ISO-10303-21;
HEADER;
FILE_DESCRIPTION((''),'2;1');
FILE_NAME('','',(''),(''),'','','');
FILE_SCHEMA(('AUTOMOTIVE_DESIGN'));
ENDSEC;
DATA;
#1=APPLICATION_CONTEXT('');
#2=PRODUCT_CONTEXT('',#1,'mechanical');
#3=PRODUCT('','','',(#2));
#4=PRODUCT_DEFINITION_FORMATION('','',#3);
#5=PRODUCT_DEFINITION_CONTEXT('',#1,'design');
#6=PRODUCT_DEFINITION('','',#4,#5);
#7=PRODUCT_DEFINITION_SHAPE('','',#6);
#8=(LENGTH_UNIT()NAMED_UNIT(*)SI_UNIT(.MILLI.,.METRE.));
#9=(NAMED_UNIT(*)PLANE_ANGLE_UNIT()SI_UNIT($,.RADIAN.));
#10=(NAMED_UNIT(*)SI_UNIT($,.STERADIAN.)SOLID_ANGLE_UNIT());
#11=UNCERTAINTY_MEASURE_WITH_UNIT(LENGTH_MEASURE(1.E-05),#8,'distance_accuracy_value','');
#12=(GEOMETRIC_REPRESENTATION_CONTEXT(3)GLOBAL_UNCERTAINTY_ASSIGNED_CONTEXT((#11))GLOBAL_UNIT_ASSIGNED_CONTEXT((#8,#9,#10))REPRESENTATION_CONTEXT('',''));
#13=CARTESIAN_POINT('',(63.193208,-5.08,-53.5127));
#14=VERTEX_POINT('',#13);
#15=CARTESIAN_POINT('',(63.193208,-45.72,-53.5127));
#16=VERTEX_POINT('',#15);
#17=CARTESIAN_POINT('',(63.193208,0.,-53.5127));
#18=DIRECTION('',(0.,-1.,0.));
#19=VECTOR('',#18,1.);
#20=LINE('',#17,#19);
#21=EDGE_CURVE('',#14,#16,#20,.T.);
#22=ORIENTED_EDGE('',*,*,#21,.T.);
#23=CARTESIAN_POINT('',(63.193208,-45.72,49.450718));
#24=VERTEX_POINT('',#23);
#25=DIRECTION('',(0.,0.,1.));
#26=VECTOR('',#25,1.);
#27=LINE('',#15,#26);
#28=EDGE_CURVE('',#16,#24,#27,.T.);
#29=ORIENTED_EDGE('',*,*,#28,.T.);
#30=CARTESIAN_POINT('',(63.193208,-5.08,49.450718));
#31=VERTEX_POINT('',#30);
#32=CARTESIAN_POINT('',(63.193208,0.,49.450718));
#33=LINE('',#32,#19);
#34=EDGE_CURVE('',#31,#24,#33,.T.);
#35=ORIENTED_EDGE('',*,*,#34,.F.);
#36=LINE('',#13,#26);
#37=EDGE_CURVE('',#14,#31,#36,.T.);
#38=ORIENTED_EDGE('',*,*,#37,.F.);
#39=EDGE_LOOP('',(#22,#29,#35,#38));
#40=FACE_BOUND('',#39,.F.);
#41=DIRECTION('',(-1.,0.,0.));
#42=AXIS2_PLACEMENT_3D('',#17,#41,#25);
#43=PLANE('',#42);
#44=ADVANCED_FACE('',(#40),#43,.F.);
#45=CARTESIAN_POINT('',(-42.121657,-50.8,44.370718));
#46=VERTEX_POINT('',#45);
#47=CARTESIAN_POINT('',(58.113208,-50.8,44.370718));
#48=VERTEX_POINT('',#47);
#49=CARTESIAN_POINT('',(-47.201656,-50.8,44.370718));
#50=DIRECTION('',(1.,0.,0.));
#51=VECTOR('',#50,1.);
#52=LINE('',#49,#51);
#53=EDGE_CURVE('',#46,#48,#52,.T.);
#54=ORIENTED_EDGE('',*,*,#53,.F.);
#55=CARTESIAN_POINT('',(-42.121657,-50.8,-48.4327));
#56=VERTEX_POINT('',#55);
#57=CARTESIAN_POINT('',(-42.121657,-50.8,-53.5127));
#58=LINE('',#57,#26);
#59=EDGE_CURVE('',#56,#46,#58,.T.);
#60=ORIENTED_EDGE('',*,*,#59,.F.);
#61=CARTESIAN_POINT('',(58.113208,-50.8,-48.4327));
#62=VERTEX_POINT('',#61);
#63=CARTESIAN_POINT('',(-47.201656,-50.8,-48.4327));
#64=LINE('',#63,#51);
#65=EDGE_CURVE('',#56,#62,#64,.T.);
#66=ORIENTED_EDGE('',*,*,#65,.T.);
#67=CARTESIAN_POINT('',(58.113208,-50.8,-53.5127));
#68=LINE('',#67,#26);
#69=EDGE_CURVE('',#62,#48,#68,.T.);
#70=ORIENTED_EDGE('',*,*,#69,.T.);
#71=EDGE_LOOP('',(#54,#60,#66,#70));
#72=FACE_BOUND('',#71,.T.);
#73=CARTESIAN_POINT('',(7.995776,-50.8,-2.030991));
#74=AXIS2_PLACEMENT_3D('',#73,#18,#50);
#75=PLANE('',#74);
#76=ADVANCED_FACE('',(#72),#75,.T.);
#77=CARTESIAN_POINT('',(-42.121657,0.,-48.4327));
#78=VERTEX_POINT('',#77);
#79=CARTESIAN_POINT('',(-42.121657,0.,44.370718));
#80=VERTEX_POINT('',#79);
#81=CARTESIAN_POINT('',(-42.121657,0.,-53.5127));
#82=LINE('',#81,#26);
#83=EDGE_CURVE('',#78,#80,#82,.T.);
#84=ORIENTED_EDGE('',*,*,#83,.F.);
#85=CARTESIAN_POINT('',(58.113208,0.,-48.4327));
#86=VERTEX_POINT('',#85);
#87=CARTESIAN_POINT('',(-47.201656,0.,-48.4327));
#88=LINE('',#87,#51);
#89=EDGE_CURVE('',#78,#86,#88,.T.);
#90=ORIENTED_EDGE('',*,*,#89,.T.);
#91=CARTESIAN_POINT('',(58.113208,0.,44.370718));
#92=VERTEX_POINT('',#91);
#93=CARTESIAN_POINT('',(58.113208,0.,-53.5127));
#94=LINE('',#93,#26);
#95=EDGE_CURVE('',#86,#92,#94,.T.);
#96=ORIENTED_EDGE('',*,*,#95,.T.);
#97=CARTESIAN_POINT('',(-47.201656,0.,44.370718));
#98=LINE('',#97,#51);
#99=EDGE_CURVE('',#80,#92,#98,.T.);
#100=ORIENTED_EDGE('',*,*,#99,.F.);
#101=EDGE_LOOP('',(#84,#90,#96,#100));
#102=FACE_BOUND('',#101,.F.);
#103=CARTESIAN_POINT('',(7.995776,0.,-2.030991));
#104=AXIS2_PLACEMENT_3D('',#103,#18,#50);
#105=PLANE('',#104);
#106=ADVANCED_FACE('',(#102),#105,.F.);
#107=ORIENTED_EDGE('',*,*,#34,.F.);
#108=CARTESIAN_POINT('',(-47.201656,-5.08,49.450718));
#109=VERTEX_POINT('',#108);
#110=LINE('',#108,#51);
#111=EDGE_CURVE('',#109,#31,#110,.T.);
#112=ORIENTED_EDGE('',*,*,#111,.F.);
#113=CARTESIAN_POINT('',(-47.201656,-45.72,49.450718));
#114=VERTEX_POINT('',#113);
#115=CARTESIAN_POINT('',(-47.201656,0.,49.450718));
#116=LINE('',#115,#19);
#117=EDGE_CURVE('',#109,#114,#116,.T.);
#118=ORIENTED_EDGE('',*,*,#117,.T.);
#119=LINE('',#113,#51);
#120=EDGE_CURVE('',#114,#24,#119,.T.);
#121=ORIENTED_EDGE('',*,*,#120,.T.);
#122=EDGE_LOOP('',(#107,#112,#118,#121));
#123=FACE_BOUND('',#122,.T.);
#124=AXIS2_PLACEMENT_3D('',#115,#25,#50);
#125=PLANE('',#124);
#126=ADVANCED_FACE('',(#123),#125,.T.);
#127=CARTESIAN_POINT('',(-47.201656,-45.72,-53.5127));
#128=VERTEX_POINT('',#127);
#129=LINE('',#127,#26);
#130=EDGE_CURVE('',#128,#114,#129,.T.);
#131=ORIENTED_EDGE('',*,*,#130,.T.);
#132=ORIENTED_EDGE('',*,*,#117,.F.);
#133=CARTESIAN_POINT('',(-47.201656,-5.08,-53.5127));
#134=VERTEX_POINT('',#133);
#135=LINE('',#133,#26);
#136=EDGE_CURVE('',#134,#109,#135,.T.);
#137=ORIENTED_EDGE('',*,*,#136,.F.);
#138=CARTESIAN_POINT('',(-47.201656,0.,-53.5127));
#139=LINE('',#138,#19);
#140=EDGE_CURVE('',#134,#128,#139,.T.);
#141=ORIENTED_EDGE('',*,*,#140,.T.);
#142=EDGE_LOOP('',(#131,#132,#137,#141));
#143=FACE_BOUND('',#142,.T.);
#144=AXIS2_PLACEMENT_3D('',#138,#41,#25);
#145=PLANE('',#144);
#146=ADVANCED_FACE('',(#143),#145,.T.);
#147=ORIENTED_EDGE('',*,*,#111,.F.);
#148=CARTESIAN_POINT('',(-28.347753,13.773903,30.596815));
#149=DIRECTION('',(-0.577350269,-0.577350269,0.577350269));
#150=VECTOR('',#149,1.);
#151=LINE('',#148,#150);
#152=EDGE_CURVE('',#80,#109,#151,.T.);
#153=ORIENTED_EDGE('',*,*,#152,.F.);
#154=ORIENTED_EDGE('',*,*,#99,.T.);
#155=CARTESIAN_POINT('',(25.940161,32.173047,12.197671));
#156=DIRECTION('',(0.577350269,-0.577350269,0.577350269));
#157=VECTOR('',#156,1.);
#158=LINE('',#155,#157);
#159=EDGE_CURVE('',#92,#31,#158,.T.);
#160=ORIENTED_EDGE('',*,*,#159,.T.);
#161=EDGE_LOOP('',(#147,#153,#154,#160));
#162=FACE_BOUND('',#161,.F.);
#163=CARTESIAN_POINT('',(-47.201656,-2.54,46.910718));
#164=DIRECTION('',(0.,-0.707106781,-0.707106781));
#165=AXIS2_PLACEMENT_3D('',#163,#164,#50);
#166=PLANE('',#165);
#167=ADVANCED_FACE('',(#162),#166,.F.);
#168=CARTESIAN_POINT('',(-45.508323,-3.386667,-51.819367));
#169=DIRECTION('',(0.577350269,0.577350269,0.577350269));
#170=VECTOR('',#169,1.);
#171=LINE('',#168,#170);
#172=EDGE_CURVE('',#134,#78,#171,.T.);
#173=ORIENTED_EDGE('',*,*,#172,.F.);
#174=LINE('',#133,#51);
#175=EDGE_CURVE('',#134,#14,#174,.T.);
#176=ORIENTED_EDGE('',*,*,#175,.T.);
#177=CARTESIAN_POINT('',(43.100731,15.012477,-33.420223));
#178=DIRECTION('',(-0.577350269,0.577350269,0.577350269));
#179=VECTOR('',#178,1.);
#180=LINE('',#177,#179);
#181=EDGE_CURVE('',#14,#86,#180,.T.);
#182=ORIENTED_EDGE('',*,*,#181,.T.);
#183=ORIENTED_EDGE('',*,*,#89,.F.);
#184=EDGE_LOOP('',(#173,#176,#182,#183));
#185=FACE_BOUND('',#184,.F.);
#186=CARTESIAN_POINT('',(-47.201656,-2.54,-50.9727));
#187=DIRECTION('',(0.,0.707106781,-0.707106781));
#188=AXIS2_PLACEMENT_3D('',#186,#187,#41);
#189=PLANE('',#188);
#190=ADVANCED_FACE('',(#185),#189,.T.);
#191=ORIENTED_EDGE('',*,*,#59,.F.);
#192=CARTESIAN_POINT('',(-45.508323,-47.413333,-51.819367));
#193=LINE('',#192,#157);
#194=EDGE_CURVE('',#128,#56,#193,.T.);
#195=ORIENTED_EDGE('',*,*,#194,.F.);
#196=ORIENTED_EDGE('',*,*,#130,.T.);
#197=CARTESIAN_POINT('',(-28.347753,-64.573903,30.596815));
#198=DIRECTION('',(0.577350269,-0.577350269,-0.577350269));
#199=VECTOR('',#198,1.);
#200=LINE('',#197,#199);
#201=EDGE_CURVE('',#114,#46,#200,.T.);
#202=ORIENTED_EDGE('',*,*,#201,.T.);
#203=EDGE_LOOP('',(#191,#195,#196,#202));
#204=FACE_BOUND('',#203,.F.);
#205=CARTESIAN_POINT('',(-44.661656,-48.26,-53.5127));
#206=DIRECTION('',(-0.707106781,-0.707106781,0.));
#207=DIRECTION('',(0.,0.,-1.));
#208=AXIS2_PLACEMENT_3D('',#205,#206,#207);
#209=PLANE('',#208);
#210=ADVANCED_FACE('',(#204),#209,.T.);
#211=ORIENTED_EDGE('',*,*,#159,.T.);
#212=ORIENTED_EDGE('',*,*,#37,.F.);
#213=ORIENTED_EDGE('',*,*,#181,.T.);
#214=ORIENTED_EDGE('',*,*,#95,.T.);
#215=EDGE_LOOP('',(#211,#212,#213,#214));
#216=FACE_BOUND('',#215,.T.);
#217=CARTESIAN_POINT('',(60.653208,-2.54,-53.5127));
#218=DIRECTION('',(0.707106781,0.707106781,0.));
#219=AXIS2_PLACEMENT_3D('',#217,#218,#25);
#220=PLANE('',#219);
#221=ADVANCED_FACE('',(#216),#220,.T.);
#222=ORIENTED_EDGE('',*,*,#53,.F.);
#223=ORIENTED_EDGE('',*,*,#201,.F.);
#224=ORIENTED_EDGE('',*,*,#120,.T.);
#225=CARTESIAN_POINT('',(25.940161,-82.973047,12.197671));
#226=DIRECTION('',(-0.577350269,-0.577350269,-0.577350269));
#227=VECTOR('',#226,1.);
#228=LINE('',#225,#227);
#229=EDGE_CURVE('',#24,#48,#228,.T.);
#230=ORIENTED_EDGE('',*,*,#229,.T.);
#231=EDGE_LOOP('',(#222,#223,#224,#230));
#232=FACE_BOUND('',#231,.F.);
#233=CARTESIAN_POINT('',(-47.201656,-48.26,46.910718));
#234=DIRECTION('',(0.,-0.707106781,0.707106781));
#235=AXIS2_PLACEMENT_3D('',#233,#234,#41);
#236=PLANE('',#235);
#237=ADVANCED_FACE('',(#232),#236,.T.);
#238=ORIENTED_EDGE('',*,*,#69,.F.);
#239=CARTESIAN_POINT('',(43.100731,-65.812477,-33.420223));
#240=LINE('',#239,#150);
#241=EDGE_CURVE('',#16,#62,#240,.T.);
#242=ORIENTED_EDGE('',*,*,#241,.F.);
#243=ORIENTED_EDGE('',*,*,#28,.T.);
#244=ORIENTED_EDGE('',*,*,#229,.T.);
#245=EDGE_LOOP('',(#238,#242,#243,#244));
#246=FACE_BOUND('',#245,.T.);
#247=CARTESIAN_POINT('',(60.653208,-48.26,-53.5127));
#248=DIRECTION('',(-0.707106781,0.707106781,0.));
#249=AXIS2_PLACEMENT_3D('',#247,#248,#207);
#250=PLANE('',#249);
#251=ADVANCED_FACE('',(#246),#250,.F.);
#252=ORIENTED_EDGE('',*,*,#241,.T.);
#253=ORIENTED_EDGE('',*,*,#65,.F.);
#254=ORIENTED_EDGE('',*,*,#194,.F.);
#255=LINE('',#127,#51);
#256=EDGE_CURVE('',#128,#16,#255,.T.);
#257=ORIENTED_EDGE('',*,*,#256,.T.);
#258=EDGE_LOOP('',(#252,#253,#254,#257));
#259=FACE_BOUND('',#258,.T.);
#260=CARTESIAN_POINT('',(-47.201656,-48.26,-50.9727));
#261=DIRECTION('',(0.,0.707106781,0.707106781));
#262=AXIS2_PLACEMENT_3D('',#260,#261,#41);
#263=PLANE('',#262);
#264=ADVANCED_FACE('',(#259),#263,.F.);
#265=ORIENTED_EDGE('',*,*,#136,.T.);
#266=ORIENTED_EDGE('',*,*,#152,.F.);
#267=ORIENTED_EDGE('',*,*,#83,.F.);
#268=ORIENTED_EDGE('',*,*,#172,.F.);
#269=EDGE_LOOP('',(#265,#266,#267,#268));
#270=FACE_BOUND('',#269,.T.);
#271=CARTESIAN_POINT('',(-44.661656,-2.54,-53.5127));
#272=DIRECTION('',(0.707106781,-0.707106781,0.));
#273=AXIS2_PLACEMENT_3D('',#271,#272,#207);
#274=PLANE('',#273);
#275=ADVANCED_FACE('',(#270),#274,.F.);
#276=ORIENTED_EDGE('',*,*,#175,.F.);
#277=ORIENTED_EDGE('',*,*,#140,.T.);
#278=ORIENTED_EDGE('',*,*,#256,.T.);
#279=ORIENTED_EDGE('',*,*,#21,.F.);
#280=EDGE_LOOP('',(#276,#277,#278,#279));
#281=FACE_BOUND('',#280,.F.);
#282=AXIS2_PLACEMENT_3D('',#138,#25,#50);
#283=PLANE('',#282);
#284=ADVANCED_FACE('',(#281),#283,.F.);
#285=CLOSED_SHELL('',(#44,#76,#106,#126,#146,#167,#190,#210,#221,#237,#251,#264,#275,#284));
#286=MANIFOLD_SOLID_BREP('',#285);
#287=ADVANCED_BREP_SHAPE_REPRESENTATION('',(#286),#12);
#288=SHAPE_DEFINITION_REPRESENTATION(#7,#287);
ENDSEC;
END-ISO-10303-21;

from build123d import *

# Parameters (mm, degrees)
F0_W     = 110.394865
F0_H     = 102.963418
F1_DEPTH = 50.8
F2_SIZE  = 5.08
F3_SIZE2 = 5.08
F3_SIZE  = 5.08


with BuildPart() as f1:
    # F0 (on Front) → F1 (new body)
    with BuildSketch(Plane.XZ):
        with Locations((7.995776, -2.030991)):
            Rectangle(F0_W, F0_H)
    extrude(amount=F1_DEPTH)

    # F2
    f2_edges = [f1.edges().sort_by_distance(p)[0] for p in [
        (7.995777, -50.8, 49.450718),
        (-47.201656, -50.8, -2.030991),
        (7.995777, -50.8, -53.5127),
        (63.193209, -50.8, -2.030991),
    ]]
    chamfer(f2_edges, length=F2_SIZE)

    # F3
    f3_edges = [f1.edges().sort_by_distance(p)[0] for p in [
        (7.995777, 0, 49.450718),
        (-47.201656, 0, -2.030991),
        (7.995777, 0, -53.5127),
        (63.193209, 0, -2.030991),
    ]]
    chamfer(f3_edges, length=F3_SIZE, length2=F3_SIZE2)


solid = f1.part
